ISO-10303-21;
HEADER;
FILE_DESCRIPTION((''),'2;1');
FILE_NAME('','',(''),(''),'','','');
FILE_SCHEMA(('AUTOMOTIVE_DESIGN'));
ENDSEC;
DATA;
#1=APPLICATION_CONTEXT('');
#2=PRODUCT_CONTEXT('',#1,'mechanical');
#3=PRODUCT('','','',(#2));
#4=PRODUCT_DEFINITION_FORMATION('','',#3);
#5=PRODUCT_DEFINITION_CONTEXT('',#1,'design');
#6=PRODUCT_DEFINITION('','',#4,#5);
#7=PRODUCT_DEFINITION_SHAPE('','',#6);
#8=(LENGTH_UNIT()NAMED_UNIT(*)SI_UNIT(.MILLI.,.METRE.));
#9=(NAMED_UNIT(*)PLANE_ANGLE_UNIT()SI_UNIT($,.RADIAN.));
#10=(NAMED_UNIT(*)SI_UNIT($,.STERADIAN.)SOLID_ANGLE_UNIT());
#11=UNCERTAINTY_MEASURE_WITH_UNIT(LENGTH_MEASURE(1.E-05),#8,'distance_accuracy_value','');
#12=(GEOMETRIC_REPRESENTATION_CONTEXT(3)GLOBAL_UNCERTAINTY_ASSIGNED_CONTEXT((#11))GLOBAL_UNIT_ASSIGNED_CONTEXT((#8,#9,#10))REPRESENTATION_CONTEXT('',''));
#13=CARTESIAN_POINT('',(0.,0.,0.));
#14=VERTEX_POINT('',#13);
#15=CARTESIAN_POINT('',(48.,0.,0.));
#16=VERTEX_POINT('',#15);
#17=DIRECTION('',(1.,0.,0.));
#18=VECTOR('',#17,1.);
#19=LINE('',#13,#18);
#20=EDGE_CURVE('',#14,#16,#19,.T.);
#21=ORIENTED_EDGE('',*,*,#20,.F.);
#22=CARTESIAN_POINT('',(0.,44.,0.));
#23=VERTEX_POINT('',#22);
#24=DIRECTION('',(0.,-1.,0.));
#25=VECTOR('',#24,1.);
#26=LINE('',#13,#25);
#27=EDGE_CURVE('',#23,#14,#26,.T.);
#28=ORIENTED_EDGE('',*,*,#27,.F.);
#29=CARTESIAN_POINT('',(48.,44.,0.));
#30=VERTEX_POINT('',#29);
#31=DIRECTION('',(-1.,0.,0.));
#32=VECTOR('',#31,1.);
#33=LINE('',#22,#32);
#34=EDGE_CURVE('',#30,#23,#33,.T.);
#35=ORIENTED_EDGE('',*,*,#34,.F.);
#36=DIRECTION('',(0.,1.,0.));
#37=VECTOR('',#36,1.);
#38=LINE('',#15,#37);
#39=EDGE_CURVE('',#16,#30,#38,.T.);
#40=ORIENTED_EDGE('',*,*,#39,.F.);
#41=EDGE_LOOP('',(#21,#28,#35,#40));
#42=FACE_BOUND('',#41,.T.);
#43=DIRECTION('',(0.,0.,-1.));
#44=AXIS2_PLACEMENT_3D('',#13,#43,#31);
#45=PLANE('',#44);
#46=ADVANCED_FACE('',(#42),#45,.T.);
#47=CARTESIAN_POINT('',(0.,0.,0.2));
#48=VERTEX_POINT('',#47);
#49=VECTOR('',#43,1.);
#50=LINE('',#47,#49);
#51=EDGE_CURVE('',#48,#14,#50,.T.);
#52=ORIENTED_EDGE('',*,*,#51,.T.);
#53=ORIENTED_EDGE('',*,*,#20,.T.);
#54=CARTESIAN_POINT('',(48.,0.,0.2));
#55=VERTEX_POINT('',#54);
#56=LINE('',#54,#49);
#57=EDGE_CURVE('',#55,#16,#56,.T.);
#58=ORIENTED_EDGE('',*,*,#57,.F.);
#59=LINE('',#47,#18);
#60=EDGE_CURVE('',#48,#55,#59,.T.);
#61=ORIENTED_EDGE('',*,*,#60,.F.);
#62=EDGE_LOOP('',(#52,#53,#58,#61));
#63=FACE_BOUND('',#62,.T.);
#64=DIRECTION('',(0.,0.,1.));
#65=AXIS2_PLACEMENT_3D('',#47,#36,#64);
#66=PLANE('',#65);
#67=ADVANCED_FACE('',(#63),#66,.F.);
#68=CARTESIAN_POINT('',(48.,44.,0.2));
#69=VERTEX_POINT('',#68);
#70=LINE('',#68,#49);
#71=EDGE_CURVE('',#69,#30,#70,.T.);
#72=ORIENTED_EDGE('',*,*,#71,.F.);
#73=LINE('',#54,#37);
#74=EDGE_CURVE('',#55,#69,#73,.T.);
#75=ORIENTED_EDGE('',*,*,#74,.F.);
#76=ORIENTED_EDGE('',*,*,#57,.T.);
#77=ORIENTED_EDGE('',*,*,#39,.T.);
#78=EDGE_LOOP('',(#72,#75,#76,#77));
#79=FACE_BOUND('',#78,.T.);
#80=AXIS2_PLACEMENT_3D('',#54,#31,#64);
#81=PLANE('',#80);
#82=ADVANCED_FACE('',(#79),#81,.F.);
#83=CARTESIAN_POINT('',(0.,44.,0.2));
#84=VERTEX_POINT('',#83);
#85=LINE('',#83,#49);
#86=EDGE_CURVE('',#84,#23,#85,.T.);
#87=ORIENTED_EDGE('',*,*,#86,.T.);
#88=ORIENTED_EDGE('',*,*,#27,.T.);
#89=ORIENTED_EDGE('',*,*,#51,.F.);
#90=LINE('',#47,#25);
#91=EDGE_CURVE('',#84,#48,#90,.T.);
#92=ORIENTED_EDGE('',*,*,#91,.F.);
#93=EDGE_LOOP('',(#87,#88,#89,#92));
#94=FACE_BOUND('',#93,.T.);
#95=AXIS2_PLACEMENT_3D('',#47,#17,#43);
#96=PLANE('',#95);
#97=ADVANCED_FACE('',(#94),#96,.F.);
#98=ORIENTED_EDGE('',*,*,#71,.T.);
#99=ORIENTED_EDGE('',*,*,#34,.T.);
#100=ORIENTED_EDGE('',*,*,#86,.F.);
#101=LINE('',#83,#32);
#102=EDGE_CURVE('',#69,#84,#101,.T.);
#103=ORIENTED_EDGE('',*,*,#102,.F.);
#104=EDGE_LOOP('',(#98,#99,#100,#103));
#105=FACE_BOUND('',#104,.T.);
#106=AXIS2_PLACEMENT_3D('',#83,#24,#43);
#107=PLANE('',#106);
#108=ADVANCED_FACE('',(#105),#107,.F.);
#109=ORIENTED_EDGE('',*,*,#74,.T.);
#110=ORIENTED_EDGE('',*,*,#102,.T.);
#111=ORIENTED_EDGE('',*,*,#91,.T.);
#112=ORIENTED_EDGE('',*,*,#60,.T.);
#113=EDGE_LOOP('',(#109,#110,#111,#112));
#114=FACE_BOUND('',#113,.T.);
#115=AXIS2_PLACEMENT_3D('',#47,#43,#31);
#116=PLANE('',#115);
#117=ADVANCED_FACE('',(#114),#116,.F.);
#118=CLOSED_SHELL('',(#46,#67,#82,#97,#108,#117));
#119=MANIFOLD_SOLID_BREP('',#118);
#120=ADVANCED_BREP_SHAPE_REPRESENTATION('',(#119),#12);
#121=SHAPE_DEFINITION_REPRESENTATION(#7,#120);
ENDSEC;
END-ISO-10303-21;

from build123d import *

# Parameters (mm, degrees)
SKETCH_1_W      = 48
SKETCH_1_H      = 44
EXTRUDE_1_DEPTH = 0.2


with BuildPart() as part:
    # 스케치1 → 보스-돌출1 (new body)
    with BuildSketch(Plane.XY):
        with Locations((24, 22)):
            Rectangle(SKETCH_1_W, SKETCH_1_H)
    extrude(amount=EXTRUDE_1_DEPTH)


solid = part.part
